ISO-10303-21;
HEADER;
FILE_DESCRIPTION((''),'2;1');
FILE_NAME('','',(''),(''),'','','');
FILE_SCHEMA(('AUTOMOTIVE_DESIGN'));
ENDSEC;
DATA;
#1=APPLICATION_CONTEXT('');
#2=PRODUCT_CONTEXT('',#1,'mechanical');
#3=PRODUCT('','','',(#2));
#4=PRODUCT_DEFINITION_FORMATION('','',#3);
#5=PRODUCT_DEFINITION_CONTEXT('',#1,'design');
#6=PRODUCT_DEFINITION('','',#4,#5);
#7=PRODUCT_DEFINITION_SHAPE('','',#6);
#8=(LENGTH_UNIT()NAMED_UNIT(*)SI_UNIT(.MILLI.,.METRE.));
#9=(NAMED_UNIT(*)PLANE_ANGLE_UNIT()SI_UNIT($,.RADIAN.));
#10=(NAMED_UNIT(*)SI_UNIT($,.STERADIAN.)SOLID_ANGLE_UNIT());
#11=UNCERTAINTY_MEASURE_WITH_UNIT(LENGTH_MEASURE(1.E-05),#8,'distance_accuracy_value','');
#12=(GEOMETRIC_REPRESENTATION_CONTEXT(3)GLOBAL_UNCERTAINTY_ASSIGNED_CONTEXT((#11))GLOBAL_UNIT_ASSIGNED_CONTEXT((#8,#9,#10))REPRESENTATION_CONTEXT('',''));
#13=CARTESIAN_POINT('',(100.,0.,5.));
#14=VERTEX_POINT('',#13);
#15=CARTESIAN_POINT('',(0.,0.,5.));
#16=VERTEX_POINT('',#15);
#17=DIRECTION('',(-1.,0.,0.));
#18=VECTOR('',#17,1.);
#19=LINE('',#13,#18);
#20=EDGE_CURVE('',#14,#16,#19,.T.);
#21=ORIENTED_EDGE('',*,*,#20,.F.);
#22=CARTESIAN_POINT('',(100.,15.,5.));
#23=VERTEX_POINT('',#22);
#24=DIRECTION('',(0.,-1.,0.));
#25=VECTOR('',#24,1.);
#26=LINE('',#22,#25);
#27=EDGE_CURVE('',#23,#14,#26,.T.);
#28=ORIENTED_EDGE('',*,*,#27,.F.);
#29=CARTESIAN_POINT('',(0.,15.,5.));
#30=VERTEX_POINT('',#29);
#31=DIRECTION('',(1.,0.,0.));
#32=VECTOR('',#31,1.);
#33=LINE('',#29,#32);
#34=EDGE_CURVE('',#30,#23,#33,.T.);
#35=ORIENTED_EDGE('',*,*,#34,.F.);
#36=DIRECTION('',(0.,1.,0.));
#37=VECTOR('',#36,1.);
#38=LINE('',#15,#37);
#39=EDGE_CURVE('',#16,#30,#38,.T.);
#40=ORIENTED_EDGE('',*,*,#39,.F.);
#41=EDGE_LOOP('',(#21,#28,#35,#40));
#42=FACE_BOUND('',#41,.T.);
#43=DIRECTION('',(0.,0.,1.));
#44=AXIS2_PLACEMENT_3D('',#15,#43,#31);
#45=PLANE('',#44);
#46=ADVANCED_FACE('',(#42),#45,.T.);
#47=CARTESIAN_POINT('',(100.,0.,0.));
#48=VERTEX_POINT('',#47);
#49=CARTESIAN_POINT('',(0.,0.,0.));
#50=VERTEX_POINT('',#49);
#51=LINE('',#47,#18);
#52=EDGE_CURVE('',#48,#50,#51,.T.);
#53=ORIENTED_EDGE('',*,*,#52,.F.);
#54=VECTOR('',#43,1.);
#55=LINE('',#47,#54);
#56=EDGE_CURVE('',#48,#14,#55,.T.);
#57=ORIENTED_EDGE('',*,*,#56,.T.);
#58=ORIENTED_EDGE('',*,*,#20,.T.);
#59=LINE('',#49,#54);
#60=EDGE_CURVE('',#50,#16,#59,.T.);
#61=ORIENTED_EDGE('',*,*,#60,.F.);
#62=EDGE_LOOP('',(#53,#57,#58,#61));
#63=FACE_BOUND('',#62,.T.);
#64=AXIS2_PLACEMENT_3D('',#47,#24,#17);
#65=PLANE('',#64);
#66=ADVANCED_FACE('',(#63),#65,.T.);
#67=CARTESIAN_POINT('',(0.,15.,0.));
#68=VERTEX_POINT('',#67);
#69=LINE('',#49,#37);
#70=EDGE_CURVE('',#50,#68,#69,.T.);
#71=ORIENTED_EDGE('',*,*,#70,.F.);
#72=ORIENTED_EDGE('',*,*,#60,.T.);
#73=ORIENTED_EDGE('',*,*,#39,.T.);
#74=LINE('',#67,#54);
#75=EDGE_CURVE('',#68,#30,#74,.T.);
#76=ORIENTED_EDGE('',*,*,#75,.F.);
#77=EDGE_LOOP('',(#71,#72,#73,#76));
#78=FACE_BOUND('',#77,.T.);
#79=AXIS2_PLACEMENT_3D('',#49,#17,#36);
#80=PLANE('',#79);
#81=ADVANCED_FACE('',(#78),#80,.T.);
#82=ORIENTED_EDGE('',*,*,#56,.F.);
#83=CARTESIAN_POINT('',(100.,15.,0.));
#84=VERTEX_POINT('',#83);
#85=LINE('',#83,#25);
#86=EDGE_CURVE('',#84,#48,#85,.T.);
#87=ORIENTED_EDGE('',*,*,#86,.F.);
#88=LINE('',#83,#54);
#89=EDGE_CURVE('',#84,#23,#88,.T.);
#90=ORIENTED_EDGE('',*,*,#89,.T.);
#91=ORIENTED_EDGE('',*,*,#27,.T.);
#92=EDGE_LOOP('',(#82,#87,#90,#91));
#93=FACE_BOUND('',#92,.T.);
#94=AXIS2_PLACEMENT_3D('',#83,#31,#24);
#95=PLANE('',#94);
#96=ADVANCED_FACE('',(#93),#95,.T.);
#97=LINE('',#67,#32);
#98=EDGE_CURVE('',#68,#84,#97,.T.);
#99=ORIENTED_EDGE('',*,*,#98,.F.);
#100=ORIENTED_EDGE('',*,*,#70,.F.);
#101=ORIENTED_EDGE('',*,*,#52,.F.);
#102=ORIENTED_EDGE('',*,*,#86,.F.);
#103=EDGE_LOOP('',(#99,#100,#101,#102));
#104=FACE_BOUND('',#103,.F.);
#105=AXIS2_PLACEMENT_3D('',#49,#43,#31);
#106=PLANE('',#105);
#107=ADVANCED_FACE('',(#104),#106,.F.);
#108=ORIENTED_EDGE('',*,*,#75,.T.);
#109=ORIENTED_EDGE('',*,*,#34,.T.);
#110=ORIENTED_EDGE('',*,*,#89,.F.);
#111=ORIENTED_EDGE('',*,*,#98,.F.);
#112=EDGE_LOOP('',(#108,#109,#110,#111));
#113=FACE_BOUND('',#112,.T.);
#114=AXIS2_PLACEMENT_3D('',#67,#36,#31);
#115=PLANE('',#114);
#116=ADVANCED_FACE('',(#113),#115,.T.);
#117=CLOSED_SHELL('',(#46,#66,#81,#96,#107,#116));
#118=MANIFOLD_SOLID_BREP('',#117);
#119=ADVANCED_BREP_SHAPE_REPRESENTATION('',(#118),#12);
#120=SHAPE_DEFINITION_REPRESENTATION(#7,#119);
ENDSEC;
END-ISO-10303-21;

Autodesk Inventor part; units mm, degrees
ref_plane "YZ Plane" through (0, 0, 0) normal (1, 0, 0) x (0, 1, 0)
ref_plane "XZ Plane" through (0, 0, 0) normal (0, 1, 0) x (-1, 0, 0)
ref_plane "XY Plane" through (0, 0, 0) normal (0, 0, 1) x (1, 0, 0)
sketch "Sketch1" plane through (0, 0, 0) normal (0, 0, 1) x (1, 0, 0)
  line L0 (0, 0) -> (0, 15)
  line L1 (0, 0) -> (15, 0) construction
  line L2 (0, 15) -> (100, 15)
  line L3 (100, 15) -> (100, 0)
  line L4 (100, 0) -> (0, 0)
  dimension "d0" = 15
  dimension "d1" = 90
  dimension "d2" = 100
  dimension "d3" = 90
  dimension "d4" = 15
  dimension "d5" = 90
extrude "Extrusion1" add sketch "Sketch1" along normal blind 5
properties part number "line_edge_parkinglot1_1"
